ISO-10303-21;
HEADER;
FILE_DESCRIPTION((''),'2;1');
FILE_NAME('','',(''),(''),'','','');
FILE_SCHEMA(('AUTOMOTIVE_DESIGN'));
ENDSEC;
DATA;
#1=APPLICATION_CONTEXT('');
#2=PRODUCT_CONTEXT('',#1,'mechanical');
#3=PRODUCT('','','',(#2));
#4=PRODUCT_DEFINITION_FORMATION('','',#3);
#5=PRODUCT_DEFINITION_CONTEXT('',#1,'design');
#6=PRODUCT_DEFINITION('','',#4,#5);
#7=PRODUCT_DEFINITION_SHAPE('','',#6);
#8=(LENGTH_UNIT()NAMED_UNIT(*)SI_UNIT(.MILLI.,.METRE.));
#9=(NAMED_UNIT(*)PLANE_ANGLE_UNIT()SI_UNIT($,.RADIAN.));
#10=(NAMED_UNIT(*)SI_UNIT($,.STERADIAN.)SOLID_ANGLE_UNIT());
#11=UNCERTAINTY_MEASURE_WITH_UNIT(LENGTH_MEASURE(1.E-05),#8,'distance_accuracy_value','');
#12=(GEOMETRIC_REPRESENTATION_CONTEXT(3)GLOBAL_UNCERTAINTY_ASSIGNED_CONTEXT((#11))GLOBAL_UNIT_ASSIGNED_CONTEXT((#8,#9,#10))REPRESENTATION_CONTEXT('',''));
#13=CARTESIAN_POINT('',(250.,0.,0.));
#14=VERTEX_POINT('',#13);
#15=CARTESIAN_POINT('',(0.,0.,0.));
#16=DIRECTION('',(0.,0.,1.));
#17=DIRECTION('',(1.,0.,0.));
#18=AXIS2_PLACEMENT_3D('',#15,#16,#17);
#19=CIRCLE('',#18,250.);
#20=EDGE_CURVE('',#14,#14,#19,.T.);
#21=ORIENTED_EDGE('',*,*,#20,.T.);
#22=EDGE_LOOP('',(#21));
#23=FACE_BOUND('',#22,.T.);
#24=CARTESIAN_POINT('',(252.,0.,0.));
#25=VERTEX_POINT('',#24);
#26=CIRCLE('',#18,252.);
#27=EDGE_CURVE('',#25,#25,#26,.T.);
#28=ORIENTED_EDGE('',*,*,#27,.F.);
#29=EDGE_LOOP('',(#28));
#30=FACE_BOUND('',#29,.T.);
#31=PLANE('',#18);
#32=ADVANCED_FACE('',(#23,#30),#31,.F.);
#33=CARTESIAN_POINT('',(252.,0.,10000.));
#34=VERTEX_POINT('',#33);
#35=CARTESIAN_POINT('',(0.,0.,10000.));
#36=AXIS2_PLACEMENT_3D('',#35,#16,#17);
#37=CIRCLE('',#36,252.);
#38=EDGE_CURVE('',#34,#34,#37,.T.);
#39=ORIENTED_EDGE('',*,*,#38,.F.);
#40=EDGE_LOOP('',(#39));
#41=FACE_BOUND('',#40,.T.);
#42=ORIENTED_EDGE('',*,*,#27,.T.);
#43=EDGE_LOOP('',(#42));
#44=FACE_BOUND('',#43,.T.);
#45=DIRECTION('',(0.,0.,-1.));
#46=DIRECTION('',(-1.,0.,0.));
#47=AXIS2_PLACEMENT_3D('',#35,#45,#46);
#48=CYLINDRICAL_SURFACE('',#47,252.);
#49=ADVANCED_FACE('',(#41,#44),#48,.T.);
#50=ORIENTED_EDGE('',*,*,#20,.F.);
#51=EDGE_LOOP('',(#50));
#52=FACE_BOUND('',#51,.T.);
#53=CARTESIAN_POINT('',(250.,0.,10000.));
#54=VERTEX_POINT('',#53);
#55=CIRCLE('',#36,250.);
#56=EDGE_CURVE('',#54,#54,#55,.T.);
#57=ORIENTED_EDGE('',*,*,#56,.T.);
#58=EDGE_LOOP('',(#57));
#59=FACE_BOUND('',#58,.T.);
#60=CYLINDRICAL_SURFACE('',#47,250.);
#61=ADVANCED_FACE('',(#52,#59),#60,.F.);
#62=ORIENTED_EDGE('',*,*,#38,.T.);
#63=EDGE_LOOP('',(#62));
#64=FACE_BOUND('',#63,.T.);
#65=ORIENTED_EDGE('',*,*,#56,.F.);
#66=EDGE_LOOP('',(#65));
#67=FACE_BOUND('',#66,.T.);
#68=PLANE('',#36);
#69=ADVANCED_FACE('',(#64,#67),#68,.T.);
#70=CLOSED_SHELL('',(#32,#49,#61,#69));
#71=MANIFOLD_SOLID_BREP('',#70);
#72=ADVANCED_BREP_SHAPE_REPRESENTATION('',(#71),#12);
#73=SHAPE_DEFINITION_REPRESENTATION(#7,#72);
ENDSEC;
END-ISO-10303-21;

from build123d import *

# Parameters (mm, degrees)
SKETCH1_R           = 252
SKETCH1_R_2         = 250
BOSS_EXTRUDE1_DEPTH = 10000


with BuildPart() as part:
    # Sketch1 → Boss-Extrude1 (new body)
    with BuildSketch(Plane.XY):
        Circle(SKETCH1_R)
        Circle(SKETCH1_R_2, mode=Mode.SUBTRACT)
    extrude(amount=BOSS_EXTRUDE1_DEPTH)


solid = part.part
